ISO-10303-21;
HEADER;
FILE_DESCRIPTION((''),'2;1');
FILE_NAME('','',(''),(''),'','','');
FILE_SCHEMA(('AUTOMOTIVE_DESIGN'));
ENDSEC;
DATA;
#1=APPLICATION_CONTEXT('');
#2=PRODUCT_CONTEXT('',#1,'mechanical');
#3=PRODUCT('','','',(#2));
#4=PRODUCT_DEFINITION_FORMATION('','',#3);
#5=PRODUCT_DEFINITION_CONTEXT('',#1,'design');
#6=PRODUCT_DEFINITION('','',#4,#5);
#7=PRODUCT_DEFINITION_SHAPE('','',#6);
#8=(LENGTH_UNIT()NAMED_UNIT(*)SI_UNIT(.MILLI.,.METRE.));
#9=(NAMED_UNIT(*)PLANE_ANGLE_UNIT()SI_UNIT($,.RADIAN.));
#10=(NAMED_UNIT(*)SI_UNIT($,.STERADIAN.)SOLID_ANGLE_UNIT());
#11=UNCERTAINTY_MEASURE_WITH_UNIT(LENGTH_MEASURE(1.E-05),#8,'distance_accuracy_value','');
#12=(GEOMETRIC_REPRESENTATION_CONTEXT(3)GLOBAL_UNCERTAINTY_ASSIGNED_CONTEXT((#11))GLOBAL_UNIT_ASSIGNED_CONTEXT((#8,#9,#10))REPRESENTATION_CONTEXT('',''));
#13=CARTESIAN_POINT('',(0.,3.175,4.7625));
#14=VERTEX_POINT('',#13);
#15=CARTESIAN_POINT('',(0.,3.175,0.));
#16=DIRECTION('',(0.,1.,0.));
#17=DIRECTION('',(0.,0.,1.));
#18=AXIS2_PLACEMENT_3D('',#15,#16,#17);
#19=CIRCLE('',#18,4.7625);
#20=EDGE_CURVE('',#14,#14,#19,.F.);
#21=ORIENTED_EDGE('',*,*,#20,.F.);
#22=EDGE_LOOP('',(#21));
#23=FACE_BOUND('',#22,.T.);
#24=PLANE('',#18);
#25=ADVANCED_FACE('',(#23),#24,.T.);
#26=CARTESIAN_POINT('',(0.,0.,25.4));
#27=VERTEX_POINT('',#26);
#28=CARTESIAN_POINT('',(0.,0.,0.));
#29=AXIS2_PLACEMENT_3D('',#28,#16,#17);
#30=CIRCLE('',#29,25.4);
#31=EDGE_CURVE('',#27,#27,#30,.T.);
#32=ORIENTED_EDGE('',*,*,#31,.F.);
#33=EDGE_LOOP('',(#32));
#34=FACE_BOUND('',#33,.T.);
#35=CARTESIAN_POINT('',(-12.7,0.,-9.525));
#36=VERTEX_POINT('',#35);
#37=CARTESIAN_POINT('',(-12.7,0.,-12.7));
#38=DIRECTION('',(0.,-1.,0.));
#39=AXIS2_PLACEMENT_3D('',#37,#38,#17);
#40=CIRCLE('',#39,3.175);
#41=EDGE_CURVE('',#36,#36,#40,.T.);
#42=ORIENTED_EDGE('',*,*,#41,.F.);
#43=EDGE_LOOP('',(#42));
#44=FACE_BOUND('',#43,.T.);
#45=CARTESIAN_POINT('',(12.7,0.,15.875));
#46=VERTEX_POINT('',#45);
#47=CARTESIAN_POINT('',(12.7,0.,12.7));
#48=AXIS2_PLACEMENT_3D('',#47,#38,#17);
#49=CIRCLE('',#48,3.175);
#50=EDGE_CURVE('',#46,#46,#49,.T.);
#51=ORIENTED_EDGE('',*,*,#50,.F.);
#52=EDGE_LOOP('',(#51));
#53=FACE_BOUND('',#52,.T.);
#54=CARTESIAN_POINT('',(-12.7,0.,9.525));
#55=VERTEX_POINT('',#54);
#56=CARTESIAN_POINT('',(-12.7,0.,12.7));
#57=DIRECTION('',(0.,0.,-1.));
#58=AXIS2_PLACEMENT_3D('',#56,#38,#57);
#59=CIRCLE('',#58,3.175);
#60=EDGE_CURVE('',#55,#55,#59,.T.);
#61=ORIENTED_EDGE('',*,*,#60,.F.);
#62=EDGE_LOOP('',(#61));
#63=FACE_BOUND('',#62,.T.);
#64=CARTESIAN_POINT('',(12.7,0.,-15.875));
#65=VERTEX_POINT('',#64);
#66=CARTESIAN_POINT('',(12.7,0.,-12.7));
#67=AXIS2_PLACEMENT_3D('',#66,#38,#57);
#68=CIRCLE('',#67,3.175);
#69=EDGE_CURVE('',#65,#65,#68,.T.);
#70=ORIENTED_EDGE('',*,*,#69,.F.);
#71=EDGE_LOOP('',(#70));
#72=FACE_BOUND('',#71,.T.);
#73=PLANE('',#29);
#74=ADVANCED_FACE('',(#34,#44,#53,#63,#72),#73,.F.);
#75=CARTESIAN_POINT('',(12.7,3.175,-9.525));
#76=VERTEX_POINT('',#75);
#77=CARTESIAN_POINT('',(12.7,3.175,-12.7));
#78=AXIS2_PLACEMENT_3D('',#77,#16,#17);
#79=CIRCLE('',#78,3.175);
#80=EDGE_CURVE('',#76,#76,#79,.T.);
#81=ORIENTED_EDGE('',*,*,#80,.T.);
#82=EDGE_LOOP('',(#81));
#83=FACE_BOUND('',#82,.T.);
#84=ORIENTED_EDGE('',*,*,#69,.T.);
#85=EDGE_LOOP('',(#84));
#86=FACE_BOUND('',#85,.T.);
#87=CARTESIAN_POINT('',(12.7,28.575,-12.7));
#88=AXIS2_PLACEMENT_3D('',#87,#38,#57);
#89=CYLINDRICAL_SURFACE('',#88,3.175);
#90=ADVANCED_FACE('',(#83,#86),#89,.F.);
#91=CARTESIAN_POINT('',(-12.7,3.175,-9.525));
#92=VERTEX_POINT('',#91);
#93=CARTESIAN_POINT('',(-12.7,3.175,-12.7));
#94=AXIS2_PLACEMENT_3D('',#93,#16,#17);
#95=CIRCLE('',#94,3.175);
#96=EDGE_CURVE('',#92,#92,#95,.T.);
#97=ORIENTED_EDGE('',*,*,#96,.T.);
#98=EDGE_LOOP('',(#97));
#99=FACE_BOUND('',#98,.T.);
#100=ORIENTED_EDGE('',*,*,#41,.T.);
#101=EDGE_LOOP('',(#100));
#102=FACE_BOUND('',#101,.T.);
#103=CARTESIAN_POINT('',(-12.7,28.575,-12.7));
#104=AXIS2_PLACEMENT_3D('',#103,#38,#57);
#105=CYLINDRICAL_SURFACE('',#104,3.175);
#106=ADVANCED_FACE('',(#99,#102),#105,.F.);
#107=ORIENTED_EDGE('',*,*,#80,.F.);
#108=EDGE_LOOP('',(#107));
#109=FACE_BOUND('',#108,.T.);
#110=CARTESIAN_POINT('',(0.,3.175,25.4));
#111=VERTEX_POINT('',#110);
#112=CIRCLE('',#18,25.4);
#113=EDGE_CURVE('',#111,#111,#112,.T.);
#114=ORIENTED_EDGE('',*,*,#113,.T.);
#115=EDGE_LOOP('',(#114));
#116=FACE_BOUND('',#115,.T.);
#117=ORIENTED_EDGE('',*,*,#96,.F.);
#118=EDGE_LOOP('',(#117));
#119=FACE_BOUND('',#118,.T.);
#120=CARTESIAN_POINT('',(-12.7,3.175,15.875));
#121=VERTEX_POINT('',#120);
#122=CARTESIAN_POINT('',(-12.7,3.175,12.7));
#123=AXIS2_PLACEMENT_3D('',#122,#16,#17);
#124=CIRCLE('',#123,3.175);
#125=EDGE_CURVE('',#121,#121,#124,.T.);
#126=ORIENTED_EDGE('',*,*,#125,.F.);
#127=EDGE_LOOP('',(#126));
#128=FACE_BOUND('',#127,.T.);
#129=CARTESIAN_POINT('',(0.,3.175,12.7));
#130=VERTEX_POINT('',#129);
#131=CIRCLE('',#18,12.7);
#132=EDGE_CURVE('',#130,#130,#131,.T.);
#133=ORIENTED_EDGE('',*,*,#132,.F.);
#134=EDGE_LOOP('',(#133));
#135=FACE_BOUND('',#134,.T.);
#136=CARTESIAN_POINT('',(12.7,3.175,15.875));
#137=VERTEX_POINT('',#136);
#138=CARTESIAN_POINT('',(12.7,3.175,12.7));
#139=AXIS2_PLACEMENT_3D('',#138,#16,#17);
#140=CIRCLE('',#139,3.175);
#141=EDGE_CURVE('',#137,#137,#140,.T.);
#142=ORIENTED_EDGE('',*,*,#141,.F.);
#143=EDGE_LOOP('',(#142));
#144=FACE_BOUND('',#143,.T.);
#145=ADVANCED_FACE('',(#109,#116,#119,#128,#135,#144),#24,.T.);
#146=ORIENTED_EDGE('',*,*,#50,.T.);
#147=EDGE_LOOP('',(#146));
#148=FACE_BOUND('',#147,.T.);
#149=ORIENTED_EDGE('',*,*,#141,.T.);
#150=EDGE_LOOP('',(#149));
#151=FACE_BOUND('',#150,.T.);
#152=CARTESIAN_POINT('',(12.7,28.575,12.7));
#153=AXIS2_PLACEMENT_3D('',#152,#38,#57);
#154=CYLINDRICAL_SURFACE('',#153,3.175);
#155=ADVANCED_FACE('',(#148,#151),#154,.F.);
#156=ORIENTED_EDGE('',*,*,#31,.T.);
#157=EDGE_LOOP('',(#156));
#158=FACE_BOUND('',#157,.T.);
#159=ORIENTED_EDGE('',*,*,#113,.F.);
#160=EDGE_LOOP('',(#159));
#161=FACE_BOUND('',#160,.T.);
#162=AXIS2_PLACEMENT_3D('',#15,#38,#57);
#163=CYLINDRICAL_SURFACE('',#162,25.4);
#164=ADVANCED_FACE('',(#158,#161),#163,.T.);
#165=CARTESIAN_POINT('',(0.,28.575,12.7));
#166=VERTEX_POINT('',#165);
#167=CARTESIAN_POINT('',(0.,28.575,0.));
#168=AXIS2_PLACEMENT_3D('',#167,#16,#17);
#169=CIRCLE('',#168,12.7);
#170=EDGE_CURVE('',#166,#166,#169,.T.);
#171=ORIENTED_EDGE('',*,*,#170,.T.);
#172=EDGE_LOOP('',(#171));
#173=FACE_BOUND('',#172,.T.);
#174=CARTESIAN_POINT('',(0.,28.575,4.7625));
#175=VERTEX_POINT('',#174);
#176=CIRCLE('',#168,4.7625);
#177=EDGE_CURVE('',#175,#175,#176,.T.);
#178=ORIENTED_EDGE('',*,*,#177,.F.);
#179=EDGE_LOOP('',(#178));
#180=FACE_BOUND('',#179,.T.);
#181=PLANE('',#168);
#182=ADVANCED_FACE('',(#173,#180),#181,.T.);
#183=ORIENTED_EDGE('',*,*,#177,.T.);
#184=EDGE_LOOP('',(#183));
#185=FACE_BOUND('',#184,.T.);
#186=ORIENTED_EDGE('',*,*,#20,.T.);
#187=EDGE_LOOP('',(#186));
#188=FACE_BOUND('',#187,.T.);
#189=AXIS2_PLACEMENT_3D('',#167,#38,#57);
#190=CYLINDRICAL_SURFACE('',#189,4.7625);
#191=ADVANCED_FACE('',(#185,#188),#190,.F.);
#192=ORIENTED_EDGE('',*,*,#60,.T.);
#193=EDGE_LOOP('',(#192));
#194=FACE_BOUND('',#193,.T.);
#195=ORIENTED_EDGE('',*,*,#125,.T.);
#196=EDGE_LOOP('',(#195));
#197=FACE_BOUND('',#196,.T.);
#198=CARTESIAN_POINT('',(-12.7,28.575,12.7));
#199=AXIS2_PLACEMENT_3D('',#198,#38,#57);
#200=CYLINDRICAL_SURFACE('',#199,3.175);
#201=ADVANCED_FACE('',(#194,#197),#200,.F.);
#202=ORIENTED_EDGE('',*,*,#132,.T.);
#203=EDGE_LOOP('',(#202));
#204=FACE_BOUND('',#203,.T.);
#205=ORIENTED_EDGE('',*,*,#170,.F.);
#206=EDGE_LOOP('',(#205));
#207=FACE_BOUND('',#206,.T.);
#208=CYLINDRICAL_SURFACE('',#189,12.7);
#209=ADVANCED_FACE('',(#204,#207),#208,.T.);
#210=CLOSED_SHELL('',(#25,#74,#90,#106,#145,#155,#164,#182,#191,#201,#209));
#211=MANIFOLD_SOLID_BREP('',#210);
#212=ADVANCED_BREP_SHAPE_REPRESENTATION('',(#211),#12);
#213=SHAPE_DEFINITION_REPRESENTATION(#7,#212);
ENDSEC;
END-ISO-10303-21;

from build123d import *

# Parameters (mm, degrees)
SKETCH1_R           = 25.4
BOSS_EXTRUDE1_DEPTH = 3.175
SKETCH2_R           = 12.7
SKETCH2_R_2         = 4.7625
BOSS_EXTRUDE2_DEPTH = 25.4
SKETCH3_R           = 3.175
CUT_EXTRUDE1_DEPTH  = 29.575


with BuildPart() as part:
    # Sketch1 → Boss-Extrude1 (new body)
    with BuildSketch(Plane(origin=(0, 0, 0), x_dir=(1, 0, 0), z_dir=(0, 1, 0))):
        Circle(SKETCH1_R)
    extrude(amount=BOSS_EXTRUDE1_DEPTH)

    # Sketch2 → Boss-Extrude2 (add)
    with BuildSketch(Plane(origin=(0, 3.175, 0), x_dir=(1, 0, 0), z_dir=(0, 1, 0))):
        Circle(SKETCH2_R)
        Circle(SKETCH2_R_2, mode=Mode.SUBTRACT)
    extrude(amount=BOSS_EXTRUDE2_DEPTH)

    # Sketch3 → Cut-Extrude1 (cut, through all)
    with BuildSketch(Plane.XZ):
        with Locations((-12.7, 12.7)):
            Circle(SKETCH3_R)
        with Locations((12.7, 12.7)):
            Circle(SKETCH3_R)
        with Locations((12.7, -12.7)):
            Circle(SKETCH3_R)
        with Locations((-12.7, -12.7)):
            Circle(SKETCH3_R)
    extrude(amount=-CUT_EXTRUDE1_DEPTH, mode=Mode.SUBTRACT)


solid = part.part
